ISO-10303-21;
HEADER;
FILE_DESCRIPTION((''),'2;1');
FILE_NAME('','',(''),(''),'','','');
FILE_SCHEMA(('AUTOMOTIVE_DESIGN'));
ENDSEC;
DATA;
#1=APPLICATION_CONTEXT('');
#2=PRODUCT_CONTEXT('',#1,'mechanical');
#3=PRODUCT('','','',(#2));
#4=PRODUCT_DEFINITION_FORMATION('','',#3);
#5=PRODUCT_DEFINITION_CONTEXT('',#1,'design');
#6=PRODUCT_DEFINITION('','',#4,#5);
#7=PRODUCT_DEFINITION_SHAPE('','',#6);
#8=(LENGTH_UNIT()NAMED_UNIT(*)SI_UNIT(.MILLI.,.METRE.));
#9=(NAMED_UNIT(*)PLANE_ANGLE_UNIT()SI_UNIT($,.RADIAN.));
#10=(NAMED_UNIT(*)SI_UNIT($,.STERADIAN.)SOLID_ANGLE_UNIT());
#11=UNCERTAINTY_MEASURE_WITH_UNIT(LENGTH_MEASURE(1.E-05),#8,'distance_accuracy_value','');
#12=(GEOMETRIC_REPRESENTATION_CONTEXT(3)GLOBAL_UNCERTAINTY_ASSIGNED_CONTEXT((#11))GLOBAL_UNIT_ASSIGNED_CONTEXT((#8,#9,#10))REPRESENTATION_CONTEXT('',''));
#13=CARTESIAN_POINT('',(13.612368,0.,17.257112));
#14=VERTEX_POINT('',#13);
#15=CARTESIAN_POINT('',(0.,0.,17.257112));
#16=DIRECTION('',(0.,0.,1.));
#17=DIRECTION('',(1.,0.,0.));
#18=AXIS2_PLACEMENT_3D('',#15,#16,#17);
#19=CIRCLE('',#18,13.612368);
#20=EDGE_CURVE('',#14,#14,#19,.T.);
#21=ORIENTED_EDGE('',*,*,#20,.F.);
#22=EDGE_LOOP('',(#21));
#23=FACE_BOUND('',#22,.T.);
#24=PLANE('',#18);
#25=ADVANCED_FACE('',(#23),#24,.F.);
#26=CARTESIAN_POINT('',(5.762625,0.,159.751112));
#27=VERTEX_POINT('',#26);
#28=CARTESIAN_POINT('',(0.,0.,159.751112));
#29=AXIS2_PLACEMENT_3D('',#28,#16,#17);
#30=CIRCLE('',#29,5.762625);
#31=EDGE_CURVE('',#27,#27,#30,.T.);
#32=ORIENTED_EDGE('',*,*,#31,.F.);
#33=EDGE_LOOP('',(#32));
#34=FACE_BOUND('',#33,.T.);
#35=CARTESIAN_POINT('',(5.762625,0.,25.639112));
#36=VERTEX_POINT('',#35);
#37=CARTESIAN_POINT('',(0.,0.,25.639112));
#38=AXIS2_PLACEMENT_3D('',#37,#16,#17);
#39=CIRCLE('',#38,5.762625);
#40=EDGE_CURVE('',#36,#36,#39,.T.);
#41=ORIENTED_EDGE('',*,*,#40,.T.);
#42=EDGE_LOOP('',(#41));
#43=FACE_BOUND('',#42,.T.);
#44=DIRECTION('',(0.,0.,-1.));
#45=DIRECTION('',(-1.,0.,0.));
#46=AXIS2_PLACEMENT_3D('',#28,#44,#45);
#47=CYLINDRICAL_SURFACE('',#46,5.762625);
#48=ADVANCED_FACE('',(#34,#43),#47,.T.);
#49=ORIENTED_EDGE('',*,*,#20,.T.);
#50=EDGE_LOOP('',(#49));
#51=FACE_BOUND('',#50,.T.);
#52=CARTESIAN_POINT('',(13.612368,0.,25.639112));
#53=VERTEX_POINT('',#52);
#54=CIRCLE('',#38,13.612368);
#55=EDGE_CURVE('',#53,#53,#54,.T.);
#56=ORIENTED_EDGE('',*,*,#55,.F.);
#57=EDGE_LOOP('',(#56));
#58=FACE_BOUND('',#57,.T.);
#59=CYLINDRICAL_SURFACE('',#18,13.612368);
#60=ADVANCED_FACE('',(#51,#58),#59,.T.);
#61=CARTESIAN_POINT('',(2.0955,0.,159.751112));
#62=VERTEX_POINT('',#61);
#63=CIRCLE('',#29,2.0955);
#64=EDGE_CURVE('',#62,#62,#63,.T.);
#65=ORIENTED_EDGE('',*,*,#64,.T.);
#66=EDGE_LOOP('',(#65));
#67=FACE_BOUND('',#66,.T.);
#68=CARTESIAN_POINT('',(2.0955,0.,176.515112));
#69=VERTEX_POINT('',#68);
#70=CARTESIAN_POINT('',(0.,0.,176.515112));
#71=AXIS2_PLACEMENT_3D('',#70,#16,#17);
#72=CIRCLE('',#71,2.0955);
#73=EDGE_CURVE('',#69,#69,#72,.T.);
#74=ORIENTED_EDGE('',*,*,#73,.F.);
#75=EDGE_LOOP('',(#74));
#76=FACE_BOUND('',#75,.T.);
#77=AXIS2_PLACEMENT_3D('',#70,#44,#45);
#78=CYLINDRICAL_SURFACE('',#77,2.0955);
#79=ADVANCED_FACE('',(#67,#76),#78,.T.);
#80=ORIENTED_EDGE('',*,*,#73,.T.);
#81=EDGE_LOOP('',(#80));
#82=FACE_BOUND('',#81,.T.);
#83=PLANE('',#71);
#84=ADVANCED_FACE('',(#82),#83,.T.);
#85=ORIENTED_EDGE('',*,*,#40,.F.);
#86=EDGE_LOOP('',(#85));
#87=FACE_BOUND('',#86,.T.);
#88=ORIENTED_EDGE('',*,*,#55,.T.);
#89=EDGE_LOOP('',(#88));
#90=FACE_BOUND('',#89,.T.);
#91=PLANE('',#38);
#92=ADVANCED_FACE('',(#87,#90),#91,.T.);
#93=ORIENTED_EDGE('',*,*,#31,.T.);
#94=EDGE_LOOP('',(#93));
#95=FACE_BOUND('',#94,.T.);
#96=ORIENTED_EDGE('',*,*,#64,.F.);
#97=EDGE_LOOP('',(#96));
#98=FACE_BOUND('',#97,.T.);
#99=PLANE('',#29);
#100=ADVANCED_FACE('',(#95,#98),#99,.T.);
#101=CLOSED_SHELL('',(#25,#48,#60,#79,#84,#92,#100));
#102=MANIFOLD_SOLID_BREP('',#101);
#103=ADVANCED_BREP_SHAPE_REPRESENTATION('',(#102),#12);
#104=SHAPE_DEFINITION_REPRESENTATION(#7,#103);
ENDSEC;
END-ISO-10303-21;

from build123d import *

# Parameters (mm, degrees)
SKETCH1_R           = 20.6248
BOSS_EXTRUDE1_DEPTH = 12.7
SKETCH2_R           = 8.73125
BOSS_EXTRUDE2_DEPTH = 203.2
SKETCH3_R           = 3.175
BOSS_EXTRUDE3_DEPTH = 25.4
SCALE1_SCALE        = 0.66


with BuildPart() as part:
    # Sketch1 → Boss-Extrude1 (new body)
    with BuildSketch(Plane.XY):
        Circle(SKETCH1_R)
    extrude(amount=-BOSS_EXTRUDE1_DEPTH)

    # Sketch2 → Boss-Extrude2 (add)
    with BuildSketch(Plane.XY):
        Circle(SKETCH2_R)
    extrude(amount=BOSS_EXTRUDE2_DEPTH)

    # Sketch3 → Boss-Extrude3 (add)
    with BuildSketch(Plane.XY.offset(203.2)):
        Circle(SKETCH3_R)
    extrude(amount=BOSS_EXTRUDE3_DEPTH)


with BuildPart() as part_1:
    # Scale1: scaled about (0, 0, 75.409153815)
    add(part.part.scale(SCALE1_SCALE).moved(Location((0, 0, 25.639112297))))


solid = part_1.part
